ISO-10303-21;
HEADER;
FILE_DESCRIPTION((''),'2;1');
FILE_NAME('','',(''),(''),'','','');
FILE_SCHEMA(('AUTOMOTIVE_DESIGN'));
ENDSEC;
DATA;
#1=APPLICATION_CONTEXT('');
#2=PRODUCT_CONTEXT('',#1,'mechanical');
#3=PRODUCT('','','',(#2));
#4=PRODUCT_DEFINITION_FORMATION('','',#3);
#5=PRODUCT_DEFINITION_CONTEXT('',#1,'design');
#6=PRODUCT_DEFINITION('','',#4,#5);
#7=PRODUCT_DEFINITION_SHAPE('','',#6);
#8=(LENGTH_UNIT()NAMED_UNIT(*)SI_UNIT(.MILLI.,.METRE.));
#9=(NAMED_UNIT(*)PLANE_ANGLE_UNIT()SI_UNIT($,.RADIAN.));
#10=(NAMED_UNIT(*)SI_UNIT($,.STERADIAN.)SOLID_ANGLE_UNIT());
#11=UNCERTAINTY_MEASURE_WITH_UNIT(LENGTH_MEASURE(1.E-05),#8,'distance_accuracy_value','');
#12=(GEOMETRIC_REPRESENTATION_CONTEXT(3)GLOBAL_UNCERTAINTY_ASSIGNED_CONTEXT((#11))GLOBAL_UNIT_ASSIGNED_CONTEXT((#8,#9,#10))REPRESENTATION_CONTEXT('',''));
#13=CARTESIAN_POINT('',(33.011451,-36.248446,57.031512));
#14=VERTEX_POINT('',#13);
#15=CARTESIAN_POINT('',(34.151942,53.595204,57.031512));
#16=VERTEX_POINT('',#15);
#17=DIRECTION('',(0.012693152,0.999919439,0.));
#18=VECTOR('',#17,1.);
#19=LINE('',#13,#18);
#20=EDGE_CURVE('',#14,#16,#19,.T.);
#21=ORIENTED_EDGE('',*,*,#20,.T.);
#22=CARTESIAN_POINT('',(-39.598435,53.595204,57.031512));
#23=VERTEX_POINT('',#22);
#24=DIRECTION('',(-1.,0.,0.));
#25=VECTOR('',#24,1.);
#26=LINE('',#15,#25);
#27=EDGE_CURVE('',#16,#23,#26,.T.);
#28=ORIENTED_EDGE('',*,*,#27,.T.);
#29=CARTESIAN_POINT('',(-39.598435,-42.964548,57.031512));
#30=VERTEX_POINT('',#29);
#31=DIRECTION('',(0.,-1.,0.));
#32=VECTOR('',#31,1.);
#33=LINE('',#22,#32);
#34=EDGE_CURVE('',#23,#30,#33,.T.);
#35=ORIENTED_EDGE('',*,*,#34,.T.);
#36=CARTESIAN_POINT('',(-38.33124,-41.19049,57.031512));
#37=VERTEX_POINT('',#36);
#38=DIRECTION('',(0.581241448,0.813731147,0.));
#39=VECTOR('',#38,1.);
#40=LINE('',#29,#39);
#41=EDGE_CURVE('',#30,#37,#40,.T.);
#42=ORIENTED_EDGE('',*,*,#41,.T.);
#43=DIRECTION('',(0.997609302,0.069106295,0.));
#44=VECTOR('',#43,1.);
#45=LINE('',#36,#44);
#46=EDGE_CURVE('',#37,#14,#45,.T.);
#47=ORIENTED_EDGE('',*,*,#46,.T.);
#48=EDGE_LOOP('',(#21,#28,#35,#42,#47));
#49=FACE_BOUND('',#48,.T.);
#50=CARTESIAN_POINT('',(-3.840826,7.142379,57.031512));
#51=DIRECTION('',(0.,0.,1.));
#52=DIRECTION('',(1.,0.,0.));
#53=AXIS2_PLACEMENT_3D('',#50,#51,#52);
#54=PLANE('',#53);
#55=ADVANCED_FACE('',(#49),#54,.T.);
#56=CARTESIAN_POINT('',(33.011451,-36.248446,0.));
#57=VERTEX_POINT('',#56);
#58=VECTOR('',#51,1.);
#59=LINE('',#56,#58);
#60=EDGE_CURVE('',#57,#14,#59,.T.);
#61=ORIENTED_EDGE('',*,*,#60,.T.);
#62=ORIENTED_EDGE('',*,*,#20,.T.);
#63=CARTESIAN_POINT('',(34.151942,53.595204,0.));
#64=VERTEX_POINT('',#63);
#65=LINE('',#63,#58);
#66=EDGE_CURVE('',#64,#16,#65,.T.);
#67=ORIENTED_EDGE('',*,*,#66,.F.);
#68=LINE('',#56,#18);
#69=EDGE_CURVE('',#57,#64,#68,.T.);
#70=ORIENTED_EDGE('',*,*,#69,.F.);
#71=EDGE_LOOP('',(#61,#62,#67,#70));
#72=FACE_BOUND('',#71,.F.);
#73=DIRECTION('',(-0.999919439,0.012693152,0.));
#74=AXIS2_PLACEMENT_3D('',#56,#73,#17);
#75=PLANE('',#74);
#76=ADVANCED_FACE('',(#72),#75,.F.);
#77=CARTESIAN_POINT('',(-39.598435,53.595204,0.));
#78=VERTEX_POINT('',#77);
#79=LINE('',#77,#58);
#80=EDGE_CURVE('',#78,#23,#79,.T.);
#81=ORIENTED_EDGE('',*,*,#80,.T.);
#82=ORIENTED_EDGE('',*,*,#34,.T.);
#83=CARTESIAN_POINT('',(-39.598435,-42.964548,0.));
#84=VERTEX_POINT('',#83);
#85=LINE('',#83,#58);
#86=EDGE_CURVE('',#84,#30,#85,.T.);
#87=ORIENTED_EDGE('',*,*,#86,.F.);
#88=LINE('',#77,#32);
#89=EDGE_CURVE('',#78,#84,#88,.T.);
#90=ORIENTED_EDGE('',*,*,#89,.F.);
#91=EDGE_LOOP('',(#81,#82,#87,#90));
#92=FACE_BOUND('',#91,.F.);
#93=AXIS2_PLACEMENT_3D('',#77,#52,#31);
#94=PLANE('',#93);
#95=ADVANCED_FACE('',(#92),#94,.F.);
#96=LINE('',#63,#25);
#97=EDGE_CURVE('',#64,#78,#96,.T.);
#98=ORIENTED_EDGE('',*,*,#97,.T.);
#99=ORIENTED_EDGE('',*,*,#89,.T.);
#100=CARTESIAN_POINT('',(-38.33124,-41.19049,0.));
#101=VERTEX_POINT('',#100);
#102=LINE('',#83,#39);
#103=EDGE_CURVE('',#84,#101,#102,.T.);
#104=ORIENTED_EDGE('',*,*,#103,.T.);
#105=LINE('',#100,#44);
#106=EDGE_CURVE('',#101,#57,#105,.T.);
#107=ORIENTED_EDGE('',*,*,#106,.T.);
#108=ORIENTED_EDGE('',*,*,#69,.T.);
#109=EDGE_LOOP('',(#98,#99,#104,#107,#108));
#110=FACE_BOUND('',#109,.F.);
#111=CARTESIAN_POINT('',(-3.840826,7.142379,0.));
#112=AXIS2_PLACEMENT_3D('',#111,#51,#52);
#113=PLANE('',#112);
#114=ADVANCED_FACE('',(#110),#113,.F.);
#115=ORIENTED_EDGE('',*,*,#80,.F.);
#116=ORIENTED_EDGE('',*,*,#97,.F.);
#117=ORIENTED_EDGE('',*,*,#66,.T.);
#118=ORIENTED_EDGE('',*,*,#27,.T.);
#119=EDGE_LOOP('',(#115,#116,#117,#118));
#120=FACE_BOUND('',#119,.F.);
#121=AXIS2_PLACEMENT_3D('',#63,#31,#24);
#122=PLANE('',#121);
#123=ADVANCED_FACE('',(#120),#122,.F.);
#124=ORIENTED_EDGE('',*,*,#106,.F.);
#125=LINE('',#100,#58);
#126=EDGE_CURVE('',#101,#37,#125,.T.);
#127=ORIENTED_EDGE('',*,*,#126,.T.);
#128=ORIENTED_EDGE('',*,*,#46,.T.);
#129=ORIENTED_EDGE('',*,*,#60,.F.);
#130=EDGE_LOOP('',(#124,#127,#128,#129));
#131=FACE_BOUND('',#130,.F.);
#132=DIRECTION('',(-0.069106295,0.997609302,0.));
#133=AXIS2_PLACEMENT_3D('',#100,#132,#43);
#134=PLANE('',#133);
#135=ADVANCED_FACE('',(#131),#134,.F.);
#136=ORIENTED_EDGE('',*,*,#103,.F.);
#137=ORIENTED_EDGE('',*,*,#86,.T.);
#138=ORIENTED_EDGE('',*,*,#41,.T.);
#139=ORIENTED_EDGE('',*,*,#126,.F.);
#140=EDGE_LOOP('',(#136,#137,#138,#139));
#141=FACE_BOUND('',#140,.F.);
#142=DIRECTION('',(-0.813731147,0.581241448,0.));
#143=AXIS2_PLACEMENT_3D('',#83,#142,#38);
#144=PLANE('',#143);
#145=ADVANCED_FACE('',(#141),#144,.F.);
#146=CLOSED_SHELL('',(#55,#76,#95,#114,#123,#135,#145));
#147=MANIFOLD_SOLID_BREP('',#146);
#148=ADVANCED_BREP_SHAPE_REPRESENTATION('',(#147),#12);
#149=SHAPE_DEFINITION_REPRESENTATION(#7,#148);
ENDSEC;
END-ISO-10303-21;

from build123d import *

# Parameters (mm, degrees)
F2_DEPTH = 57.031512


with BuildPart() as f2:
    # F1 (on face) → F2 (new body)
    with BuildSketch(Plane.XY):
        Polygon((34.151942, 53.595204), (-39.598435, 53.595204), (-39.598435, -42.964548), (-38.33124, -41.19049), (33.011451, -36.248446), align=None)
    extrude(amount=F2_DEPTH)


solid = f2.part
